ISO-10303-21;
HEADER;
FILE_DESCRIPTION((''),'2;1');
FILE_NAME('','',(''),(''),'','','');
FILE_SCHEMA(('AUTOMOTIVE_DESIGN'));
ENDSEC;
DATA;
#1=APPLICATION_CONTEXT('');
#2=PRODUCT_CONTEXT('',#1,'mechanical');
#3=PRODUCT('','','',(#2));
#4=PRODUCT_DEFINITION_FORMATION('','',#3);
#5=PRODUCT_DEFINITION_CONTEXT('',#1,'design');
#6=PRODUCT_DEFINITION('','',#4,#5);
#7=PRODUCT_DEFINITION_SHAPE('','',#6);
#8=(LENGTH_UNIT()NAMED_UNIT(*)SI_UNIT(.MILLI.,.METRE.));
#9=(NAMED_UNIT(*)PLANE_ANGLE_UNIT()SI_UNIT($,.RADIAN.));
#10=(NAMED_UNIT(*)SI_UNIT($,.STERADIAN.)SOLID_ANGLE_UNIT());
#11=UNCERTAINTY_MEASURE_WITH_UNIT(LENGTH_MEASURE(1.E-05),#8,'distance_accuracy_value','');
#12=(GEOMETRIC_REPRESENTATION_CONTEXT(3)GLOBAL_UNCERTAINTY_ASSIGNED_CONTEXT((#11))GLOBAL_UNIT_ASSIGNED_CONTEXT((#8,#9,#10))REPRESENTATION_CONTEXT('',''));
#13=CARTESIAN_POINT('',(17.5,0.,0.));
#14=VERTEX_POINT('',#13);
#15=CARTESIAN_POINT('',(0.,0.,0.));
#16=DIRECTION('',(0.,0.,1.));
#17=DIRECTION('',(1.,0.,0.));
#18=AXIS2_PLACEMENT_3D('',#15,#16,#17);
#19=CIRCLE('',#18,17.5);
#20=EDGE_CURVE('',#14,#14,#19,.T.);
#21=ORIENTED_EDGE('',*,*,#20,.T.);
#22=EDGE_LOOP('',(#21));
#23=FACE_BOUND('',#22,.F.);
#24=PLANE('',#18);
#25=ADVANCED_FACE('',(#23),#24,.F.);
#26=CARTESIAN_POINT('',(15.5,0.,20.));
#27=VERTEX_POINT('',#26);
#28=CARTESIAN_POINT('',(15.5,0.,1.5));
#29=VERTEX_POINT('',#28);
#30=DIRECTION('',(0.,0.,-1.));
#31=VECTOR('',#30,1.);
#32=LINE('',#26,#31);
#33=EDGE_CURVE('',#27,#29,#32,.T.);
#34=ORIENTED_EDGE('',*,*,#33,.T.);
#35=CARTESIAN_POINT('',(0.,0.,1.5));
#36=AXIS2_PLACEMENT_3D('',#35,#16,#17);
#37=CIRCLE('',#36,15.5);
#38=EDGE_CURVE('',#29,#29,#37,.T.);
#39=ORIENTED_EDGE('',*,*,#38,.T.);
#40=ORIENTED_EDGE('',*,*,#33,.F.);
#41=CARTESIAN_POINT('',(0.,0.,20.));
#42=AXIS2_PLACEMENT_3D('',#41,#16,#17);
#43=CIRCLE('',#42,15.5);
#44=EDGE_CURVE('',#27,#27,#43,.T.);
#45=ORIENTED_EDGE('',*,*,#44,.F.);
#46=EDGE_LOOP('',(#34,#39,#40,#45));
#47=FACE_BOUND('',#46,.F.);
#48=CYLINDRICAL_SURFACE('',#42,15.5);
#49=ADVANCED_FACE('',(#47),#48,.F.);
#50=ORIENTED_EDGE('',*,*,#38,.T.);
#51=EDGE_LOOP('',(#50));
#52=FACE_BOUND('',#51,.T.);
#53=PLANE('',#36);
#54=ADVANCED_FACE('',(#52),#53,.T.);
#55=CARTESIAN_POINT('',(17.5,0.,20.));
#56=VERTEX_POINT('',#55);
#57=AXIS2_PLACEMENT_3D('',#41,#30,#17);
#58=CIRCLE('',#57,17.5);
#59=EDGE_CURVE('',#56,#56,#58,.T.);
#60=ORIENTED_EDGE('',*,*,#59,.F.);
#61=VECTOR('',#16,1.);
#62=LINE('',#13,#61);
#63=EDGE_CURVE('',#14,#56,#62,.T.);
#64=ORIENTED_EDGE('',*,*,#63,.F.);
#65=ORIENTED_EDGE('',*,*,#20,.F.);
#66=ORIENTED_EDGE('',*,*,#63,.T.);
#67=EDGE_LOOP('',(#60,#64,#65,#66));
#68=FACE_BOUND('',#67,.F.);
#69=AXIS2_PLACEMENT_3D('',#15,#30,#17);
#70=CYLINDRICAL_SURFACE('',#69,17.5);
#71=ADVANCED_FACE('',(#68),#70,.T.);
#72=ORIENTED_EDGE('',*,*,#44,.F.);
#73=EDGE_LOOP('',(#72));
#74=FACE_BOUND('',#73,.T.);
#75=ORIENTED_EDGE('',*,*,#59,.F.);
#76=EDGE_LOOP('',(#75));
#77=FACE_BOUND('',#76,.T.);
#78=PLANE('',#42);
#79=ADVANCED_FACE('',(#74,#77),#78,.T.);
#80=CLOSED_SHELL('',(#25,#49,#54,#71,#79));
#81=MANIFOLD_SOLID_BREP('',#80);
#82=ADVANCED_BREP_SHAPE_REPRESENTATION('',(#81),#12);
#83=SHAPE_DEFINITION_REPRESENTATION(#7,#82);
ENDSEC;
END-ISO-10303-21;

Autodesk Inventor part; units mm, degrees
ref_plane "YZ Plane" through (0, 0, 0) normal (1, 0, 0) x (0, 1, 0)
ref_plane "XZ Plane" through (0, 0, 0) normal (0, 1, 0) x (-1, 0, 0)
ref_plane "XY Plane" through (0, 0, 0) normal (0, 0, 1) x (1, 0, 0)
sketch "Skizze1" plane through (0, 0, 0) normal (0, 0, 1) x (1, 0, 0)
  line L0 (0, -24.5) -> (0, 24.5) projected
  line L1 (-24.5, 0) -> (24.5, 0) projected
  circle A0 centre (0, 0) radius 17.5
  dimension "d0" = 35
extrude "Extrusion1" add sketch "Skizze1" along normal blind 20
sketch "Skizze2" plane through (0, 0, 20) normal (0, 0, 1) x (1, 0, 0)
  circle A0 centre (0, 0) radius 17.5 projected
  circle A1 centre (0, 0) radius 15.5
  dimension "d3" = 31
extrude "Extrusion2" cut sketch "Skizze2" against normal blind 18.5 contours A1
properties part number "Brennertopf"
